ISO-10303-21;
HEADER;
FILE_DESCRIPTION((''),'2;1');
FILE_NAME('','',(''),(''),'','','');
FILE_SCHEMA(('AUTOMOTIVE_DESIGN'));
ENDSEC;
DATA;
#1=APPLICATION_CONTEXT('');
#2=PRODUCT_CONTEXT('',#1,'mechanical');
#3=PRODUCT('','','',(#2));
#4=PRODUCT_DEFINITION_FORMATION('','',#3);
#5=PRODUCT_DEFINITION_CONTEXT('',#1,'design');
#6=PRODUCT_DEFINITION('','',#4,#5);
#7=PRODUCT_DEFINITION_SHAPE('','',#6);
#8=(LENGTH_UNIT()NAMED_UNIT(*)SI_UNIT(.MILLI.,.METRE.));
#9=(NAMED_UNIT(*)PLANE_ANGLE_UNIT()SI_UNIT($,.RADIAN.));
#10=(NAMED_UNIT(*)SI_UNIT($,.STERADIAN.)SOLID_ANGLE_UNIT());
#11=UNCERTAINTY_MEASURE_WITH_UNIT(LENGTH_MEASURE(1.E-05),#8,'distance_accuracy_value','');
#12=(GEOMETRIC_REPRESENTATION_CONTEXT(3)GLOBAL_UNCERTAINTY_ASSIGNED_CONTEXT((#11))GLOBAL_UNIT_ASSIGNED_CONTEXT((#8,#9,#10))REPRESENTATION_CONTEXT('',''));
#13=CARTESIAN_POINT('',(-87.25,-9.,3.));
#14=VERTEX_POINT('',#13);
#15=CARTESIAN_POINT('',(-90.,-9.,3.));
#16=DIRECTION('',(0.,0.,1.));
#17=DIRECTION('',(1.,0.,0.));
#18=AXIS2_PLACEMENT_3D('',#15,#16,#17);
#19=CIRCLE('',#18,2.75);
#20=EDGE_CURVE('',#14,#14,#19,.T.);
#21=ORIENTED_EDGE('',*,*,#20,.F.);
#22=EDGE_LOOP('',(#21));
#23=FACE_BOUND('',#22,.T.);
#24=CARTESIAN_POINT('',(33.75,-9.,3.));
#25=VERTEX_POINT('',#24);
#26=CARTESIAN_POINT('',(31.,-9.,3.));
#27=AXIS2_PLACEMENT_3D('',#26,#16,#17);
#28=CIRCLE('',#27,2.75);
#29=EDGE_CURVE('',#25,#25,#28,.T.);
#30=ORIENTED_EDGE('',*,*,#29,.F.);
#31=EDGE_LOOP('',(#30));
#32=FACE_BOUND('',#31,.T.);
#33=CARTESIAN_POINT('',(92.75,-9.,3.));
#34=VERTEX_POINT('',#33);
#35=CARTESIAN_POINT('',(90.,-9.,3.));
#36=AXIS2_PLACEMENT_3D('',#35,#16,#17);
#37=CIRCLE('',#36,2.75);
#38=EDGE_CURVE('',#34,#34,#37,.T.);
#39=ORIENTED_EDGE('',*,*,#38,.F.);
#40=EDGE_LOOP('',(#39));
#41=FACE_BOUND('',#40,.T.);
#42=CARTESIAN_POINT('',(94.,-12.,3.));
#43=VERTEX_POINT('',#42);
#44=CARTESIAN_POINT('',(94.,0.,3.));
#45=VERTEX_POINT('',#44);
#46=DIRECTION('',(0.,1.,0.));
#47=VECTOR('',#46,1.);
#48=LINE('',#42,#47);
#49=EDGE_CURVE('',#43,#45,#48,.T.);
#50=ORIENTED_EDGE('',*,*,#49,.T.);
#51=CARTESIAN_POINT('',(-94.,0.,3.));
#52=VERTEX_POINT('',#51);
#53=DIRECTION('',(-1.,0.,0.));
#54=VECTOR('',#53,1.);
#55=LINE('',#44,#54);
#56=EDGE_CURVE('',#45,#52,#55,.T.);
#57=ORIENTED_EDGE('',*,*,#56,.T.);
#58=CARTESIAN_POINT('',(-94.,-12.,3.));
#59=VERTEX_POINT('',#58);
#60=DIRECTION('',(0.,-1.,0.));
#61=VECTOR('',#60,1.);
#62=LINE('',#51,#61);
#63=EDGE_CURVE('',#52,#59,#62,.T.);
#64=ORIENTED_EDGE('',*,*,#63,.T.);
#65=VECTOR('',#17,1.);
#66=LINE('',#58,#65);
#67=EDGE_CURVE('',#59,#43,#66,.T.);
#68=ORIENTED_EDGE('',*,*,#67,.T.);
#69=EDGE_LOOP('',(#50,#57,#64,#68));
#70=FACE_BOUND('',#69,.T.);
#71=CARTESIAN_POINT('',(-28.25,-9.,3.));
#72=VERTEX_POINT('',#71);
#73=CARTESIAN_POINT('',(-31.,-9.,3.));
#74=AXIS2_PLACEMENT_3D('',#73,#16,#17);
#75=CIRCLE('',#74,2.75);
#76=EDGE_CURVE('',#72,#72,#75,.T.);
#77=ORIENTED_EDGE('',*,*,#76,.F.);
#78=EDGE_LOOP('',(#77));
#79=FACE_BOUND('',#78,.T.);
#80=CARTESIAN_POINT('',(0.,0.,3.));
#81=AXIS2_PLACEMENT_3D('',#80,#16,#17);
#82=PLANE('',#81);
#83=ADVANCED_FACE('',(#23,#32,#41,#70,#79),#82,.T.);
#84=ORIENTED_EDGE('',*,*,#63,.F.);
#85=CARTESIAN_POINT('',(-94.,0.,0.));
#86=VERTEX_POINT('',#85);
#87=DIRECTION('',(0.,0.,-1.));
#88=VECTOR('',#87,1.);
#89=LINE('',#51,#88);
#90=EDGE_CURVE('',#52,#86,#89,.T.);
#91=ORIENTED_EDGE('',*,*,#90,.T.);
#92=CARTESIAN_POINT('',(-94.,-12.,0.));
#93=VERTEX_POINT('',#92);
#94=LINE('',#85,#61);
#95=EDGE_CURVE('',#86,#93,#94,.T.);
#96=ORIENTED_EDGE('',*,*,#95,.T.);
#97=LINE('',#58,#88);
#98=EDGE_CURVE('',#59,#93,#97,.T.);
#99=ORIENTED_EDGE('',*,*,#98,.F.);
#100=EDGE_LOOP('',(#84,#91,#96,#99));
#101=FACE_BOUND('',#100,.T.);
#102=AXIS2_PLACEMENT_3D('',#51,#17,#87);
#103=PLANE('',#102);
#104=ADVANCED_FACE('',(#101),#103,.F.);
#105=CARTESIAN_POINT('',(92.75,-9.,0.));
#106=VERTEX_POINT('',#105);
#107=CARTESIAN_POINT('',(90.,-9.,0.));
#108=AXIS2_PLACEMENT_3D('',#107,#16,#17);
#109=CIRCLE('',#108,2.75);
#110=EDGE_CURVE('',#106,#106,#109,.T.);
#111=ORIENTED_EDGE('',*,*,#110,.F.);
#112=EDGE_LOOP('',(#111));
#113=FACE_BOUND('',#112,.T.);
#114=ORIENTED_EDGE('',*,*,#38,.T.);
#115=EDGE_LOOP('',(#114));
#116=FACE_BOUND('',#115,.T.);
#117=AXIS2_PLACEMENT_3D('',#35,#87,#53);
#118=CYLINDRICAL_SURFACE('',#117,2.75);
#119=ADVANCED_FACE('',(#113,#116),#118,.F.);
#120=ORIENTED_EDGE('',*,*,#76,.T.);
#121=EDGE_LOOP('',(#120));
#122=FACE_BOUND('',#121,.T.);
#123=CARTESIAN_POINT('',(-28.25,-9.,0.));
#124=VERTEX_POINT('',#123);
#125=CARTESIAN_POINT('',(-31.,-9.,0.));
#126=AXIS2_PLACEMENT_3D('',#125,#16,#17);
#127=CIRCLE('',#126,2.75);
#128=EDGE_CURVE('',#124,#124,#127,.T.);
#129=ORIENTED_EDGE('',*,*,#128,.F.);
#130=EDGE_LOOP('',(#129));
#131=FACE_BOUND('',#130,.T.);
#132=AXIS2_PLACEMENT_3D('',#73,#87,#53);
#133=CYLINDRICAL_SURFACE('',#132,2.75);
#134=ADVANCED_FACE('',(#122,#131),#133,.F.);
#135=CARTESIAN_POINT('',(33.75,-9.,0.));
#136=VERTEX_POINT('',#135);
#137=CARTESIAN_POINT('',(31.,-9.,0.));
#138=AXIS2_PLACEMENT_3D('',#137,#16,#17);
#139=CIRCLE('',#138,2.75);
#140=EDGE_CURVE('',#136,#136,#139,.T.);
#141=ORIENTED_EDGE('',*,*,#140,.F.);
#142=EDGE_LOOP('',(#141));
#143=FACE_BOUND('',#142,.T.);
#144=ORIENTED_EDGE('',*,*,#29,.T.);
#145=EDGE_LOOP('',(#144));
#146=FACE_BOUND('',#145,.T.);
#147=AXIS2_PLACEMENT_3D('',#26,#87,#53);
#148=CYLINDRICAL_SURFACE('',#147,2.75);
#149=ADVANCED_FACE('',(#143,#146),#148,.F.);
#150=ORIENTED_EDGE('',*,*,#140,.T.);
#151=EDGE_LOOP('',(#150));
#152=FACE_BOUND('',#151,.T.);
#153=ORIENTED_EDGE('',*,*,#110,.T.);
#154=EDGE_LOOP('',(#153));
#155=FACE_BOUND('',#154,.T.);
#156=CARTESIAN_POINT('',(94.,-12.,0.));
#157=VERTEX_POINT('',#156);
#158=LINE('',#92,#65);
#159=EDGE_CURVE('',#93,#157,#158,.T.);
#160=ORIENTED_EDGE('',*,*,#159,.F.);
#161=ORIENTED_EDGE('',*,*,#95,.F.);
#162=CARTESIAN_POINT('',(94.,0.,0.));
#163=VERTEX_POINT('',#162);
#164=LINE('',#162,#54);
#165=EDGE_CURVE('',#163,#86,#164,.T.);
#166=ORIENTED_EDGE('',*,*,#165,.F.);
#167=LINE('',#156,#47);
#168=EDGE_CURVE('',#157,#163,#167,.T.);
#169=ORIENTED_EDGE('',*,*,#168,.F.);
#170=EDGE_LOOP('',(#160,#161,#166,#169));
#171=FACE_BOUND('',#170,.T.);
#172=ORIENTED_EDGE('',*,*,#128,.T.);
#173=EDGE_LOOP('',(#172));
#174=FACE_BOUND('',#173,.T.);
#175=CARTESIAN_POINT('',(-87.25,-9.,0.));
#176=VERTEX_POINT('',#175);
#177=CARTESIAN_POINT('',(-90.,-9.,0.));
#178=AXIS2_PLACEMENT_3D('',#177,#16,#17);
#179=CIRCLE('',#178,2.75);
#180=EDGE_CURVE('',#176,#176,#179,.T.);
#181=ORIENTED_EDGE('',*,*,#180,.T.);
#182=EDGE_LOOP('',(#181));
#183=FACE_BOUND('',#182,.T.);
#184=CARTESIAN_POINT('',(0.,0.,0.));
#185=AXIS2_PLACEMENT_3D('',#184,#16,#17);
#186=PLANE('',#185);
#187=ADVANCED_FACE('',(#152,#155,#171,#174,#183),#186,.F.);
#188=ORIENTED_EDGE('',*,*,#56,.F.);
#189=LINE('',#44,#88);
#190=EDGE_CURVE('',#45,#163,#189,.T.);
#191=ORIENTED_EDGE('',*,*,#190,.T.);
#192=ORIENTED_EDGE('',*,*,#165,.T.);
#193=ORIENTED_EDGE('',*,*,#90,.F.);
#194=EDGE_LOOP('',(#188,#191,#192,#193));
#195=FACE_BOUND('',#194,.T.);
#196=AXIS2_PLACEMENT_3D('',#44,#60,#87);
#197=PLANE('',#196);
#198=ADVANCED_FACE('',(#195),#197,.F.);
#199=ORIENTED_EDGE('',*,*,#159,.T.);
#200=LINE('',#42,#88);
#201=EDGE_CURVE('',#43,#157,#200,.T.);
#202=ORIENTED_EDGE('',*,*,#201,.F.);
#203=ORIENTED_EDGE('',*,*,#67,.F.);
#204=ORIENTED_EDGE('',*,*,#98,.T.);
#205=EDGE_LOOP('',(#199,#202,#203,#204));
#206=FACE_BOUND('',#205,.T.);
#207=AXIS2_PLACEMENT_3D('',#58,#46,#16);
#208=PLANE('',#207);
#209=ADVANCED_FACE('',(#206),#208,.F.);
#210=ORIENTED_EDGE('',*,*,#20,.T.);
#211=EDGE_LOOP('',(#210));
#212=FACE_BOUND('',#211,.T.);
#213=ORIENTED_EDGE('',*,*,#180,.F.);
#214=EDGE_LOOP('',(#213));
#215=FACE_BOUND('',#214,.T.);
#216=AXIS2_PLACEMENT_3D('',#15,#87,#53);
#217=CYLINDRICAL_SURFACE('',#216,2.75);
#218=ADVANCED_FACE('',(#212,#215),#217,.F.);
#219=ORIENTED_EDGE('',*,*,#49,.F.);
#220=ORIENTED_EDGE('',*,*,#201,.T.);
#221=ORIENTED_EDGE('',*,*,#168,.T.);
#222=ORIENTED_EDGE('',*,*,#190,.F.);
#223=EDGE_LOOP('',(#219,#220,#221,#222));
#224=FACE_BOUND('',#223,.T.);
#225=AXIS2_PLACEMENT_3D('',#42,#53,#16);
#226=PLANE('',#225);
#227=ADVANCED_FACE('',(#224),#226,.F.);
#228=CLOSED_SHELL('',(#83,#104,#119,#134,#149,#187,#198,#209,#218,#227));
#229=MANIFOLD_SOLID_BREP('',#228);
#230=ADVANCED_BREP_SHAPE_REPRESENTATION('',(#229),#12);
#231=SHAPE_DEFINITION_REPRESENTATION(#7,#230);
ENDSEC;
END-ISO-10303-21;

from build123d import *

# Parameters (mm, degrees)
FLOOR_JOINT_HOLES_PROFILE_W = 188
FLOOR_JOINT_HOLES_PROFILE_H = 12
FLOOR_JOINT_HOLES_PROFILE_R = 2.75
FLOOR_JOINT_HOLES_DEPTH     = 3


with BuildPart() as part:
    # Floor joint holes profile → Floor joint holes (new body)
    with BuildSketch(Plane.XY):
        with Locations((0, -6)):
            Rectangle(FLOOR_JOINT_HOLES_PROFILE_W, FLOOR_JOINT_HOLES_PROFILE_H)
        with Locations((-90, -9)):
            Circle(FLOOR_JOINT_HOLES_PROFILE_R, mode=Mode.SUBTRACT)
        with Locations((-31, -9)):
            Circle(FLOOR_JOINT_HOLES_PROFILE_R, mode=Mode.SUBTRACT)
        with Locations((31, -9)):
            Circle(FLOOR_JOINT_HOLES_PROFILE_R, mode=Mode.SUBTRACT)
        with Locations((90, -9)):
            Circle(FLOOR_JOINT_HOLES_PROFILE_R, mode=Mode.SUBTRACT)
    extrude(amount=FLOOR_JOINT_HOLES_DEPTH)


solid = part.part
